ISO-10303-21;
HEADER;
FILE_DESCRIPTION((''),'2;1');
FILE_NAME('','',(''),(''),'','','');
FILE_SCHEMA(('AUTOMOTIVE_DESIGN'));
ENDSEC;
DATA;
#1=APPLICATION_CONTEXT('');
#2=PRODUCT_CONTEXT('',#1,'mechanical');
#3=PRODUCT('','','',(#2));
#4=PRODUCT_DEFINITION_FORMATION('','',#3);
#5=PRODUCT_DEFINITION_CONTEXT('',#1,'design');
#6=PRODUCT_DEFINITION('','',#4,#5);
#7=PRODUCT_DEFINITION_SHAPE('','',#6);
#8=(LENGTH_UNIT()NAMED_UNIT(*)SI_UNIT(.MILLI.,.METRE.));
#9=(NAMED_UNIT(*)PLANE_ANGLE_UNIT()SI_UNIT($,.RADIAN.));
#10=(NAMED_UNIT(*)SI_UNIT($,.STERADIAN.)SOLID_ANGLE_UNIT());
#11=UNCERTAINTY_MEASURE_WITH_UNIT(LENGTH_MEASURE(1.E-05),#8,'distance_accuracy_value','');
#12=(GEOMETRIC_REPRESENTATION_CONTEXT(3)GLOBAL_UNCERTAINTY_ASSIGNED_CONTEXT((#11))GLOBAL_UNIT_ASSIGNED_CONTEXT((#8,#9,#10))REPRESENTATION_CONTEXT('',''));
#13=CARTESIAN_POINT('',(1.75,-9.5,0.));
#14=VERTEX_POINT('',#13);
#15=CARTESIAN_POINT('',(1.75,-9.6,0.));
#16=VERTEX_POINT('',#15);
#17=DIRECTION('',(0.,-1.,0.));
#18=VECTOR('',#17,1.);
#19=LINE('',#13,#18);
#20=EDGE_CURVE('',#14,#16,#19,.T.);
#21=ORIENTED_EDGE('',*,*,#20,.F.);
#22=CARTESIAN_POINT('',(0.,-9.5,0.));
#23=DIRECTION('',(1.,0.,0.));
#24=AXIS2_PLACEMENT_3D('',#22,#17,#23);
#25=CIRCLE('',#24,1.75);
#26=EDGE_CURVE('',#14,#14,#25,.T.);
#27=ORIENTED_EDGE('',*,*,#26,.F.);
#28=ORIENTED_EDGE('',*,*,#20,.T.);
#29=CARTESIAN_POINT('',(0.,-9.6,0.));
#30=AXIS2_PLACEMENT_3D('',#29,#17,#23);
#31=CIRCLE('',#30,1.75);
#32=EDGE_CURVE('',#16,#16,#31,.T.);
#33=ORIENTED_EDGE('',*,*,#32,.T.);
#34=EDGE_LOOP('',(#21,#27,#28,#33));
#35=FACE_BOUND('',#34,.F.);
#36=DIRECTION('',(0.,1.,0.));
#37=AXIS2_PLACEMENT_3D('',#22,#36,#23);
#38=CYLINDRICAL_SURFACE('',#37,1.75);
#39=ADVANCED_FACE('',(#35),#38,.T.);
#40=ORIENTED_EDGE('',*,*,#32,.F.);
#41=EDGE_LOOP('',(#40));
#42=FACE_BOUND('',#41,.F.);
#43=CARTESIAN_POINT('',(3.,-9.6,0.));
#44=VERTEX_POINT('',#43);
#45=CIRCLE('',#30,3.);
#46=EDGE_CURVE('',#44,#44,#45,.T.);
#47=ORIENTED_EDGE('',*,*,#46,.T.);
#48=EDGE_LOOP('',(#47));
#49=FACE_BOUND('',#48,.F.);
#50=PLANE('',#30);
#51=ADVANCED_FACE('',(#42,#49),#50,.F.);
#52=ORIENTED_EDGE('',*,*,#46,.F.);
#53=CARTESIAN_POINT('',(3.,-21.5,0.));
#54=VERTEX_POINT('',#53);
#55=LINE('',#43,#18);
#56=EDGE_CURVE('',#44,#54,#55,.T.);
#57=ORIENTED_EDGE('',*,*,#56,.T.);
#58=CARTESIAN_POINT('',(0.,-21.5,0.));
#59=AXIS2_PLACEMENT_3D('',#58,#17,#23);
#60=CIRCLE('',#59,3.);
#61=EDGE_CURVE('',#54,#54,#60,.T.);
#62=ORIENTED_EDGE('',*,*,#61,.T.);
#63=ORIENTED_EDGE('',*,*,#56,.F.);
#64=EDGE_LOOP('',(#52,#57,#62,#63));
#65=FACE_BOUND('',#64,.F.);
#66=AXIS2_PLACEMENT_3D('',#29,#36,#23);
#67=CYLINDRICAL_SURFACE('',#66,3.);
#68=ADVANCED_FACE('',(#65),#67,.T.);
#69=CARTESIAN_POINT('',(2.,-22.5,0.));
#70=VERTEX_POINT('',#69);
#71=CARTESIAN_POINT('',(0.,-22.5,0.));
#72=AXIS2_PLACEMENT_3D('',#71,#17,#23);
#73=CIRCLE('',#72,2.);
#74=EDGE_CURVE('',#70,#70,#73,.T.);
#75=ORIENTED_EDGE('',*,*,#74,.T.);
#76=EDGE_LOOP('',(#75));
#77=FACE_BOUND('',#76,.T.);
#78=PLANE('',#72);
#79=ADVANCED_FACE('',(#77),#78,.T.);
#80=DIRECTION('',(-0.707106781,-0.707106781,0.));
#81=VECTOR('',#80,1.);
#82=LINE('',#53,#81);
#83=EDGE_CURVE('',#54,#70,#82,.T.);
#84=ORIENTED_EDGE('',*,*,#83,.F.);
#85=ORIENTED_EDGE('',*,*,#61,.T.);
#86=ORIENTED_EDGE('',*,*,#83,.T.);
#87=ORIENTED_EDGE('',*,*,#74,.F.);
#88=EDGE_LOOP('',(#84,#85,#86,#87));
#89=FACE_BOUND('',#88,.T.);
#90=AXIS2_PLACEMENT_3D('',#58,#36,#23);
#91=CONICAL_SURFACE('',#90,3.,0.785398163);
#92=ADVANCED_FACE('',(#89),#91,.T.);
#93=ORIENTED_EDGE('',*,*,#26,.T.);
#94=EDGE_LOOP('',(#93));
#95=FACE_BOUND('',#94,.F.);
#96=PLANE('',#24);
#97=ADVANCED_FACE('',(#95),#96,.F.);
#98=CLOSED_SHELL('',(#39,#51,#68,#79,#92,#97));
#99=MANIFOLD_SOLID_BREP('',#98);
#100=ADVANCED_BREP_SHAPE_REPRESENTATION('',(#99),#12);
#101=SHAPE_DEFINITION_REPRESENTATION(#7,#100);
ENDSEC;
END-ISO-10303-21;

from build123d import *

# Parameters (mm, degrees)
SKETCH014_R  = 1.75
PAD008_DEPTH = 0.1
SKETCH015_R  = 3
PAD009_DEPTH = 12.9
CHAMFER_SIZE = 1


with BuildPart() as part:
    # Sketch014 → Pad008 (new body)
    with BuildSketch(Plane.XZ):
        Circle(SKETCH014_R)
    extrude(amount=PAD008_DEPTH)

    # Sketch015 (on Face3 of Pad008) → Pad009 (join)
    with BuildSketch(Plane.XZ.offset(0.1)):
        Circle(SKETCH015_R)
    extrude(amount=PAD009_DEPTH)

    # Chamfer
    chamfer_edges = [part.edges().sort_by_distance(p)[0] for p in [
        (-3, -13, 0),
    ]]
    chamfer(chamfer_edges, length=CHAMFER_SIZE)


with BuildPart() as part_1:
    # Body002 placement: moved
    add(part.part.moved(Location((0, -9.5, 0))))


solid = part_1.part
